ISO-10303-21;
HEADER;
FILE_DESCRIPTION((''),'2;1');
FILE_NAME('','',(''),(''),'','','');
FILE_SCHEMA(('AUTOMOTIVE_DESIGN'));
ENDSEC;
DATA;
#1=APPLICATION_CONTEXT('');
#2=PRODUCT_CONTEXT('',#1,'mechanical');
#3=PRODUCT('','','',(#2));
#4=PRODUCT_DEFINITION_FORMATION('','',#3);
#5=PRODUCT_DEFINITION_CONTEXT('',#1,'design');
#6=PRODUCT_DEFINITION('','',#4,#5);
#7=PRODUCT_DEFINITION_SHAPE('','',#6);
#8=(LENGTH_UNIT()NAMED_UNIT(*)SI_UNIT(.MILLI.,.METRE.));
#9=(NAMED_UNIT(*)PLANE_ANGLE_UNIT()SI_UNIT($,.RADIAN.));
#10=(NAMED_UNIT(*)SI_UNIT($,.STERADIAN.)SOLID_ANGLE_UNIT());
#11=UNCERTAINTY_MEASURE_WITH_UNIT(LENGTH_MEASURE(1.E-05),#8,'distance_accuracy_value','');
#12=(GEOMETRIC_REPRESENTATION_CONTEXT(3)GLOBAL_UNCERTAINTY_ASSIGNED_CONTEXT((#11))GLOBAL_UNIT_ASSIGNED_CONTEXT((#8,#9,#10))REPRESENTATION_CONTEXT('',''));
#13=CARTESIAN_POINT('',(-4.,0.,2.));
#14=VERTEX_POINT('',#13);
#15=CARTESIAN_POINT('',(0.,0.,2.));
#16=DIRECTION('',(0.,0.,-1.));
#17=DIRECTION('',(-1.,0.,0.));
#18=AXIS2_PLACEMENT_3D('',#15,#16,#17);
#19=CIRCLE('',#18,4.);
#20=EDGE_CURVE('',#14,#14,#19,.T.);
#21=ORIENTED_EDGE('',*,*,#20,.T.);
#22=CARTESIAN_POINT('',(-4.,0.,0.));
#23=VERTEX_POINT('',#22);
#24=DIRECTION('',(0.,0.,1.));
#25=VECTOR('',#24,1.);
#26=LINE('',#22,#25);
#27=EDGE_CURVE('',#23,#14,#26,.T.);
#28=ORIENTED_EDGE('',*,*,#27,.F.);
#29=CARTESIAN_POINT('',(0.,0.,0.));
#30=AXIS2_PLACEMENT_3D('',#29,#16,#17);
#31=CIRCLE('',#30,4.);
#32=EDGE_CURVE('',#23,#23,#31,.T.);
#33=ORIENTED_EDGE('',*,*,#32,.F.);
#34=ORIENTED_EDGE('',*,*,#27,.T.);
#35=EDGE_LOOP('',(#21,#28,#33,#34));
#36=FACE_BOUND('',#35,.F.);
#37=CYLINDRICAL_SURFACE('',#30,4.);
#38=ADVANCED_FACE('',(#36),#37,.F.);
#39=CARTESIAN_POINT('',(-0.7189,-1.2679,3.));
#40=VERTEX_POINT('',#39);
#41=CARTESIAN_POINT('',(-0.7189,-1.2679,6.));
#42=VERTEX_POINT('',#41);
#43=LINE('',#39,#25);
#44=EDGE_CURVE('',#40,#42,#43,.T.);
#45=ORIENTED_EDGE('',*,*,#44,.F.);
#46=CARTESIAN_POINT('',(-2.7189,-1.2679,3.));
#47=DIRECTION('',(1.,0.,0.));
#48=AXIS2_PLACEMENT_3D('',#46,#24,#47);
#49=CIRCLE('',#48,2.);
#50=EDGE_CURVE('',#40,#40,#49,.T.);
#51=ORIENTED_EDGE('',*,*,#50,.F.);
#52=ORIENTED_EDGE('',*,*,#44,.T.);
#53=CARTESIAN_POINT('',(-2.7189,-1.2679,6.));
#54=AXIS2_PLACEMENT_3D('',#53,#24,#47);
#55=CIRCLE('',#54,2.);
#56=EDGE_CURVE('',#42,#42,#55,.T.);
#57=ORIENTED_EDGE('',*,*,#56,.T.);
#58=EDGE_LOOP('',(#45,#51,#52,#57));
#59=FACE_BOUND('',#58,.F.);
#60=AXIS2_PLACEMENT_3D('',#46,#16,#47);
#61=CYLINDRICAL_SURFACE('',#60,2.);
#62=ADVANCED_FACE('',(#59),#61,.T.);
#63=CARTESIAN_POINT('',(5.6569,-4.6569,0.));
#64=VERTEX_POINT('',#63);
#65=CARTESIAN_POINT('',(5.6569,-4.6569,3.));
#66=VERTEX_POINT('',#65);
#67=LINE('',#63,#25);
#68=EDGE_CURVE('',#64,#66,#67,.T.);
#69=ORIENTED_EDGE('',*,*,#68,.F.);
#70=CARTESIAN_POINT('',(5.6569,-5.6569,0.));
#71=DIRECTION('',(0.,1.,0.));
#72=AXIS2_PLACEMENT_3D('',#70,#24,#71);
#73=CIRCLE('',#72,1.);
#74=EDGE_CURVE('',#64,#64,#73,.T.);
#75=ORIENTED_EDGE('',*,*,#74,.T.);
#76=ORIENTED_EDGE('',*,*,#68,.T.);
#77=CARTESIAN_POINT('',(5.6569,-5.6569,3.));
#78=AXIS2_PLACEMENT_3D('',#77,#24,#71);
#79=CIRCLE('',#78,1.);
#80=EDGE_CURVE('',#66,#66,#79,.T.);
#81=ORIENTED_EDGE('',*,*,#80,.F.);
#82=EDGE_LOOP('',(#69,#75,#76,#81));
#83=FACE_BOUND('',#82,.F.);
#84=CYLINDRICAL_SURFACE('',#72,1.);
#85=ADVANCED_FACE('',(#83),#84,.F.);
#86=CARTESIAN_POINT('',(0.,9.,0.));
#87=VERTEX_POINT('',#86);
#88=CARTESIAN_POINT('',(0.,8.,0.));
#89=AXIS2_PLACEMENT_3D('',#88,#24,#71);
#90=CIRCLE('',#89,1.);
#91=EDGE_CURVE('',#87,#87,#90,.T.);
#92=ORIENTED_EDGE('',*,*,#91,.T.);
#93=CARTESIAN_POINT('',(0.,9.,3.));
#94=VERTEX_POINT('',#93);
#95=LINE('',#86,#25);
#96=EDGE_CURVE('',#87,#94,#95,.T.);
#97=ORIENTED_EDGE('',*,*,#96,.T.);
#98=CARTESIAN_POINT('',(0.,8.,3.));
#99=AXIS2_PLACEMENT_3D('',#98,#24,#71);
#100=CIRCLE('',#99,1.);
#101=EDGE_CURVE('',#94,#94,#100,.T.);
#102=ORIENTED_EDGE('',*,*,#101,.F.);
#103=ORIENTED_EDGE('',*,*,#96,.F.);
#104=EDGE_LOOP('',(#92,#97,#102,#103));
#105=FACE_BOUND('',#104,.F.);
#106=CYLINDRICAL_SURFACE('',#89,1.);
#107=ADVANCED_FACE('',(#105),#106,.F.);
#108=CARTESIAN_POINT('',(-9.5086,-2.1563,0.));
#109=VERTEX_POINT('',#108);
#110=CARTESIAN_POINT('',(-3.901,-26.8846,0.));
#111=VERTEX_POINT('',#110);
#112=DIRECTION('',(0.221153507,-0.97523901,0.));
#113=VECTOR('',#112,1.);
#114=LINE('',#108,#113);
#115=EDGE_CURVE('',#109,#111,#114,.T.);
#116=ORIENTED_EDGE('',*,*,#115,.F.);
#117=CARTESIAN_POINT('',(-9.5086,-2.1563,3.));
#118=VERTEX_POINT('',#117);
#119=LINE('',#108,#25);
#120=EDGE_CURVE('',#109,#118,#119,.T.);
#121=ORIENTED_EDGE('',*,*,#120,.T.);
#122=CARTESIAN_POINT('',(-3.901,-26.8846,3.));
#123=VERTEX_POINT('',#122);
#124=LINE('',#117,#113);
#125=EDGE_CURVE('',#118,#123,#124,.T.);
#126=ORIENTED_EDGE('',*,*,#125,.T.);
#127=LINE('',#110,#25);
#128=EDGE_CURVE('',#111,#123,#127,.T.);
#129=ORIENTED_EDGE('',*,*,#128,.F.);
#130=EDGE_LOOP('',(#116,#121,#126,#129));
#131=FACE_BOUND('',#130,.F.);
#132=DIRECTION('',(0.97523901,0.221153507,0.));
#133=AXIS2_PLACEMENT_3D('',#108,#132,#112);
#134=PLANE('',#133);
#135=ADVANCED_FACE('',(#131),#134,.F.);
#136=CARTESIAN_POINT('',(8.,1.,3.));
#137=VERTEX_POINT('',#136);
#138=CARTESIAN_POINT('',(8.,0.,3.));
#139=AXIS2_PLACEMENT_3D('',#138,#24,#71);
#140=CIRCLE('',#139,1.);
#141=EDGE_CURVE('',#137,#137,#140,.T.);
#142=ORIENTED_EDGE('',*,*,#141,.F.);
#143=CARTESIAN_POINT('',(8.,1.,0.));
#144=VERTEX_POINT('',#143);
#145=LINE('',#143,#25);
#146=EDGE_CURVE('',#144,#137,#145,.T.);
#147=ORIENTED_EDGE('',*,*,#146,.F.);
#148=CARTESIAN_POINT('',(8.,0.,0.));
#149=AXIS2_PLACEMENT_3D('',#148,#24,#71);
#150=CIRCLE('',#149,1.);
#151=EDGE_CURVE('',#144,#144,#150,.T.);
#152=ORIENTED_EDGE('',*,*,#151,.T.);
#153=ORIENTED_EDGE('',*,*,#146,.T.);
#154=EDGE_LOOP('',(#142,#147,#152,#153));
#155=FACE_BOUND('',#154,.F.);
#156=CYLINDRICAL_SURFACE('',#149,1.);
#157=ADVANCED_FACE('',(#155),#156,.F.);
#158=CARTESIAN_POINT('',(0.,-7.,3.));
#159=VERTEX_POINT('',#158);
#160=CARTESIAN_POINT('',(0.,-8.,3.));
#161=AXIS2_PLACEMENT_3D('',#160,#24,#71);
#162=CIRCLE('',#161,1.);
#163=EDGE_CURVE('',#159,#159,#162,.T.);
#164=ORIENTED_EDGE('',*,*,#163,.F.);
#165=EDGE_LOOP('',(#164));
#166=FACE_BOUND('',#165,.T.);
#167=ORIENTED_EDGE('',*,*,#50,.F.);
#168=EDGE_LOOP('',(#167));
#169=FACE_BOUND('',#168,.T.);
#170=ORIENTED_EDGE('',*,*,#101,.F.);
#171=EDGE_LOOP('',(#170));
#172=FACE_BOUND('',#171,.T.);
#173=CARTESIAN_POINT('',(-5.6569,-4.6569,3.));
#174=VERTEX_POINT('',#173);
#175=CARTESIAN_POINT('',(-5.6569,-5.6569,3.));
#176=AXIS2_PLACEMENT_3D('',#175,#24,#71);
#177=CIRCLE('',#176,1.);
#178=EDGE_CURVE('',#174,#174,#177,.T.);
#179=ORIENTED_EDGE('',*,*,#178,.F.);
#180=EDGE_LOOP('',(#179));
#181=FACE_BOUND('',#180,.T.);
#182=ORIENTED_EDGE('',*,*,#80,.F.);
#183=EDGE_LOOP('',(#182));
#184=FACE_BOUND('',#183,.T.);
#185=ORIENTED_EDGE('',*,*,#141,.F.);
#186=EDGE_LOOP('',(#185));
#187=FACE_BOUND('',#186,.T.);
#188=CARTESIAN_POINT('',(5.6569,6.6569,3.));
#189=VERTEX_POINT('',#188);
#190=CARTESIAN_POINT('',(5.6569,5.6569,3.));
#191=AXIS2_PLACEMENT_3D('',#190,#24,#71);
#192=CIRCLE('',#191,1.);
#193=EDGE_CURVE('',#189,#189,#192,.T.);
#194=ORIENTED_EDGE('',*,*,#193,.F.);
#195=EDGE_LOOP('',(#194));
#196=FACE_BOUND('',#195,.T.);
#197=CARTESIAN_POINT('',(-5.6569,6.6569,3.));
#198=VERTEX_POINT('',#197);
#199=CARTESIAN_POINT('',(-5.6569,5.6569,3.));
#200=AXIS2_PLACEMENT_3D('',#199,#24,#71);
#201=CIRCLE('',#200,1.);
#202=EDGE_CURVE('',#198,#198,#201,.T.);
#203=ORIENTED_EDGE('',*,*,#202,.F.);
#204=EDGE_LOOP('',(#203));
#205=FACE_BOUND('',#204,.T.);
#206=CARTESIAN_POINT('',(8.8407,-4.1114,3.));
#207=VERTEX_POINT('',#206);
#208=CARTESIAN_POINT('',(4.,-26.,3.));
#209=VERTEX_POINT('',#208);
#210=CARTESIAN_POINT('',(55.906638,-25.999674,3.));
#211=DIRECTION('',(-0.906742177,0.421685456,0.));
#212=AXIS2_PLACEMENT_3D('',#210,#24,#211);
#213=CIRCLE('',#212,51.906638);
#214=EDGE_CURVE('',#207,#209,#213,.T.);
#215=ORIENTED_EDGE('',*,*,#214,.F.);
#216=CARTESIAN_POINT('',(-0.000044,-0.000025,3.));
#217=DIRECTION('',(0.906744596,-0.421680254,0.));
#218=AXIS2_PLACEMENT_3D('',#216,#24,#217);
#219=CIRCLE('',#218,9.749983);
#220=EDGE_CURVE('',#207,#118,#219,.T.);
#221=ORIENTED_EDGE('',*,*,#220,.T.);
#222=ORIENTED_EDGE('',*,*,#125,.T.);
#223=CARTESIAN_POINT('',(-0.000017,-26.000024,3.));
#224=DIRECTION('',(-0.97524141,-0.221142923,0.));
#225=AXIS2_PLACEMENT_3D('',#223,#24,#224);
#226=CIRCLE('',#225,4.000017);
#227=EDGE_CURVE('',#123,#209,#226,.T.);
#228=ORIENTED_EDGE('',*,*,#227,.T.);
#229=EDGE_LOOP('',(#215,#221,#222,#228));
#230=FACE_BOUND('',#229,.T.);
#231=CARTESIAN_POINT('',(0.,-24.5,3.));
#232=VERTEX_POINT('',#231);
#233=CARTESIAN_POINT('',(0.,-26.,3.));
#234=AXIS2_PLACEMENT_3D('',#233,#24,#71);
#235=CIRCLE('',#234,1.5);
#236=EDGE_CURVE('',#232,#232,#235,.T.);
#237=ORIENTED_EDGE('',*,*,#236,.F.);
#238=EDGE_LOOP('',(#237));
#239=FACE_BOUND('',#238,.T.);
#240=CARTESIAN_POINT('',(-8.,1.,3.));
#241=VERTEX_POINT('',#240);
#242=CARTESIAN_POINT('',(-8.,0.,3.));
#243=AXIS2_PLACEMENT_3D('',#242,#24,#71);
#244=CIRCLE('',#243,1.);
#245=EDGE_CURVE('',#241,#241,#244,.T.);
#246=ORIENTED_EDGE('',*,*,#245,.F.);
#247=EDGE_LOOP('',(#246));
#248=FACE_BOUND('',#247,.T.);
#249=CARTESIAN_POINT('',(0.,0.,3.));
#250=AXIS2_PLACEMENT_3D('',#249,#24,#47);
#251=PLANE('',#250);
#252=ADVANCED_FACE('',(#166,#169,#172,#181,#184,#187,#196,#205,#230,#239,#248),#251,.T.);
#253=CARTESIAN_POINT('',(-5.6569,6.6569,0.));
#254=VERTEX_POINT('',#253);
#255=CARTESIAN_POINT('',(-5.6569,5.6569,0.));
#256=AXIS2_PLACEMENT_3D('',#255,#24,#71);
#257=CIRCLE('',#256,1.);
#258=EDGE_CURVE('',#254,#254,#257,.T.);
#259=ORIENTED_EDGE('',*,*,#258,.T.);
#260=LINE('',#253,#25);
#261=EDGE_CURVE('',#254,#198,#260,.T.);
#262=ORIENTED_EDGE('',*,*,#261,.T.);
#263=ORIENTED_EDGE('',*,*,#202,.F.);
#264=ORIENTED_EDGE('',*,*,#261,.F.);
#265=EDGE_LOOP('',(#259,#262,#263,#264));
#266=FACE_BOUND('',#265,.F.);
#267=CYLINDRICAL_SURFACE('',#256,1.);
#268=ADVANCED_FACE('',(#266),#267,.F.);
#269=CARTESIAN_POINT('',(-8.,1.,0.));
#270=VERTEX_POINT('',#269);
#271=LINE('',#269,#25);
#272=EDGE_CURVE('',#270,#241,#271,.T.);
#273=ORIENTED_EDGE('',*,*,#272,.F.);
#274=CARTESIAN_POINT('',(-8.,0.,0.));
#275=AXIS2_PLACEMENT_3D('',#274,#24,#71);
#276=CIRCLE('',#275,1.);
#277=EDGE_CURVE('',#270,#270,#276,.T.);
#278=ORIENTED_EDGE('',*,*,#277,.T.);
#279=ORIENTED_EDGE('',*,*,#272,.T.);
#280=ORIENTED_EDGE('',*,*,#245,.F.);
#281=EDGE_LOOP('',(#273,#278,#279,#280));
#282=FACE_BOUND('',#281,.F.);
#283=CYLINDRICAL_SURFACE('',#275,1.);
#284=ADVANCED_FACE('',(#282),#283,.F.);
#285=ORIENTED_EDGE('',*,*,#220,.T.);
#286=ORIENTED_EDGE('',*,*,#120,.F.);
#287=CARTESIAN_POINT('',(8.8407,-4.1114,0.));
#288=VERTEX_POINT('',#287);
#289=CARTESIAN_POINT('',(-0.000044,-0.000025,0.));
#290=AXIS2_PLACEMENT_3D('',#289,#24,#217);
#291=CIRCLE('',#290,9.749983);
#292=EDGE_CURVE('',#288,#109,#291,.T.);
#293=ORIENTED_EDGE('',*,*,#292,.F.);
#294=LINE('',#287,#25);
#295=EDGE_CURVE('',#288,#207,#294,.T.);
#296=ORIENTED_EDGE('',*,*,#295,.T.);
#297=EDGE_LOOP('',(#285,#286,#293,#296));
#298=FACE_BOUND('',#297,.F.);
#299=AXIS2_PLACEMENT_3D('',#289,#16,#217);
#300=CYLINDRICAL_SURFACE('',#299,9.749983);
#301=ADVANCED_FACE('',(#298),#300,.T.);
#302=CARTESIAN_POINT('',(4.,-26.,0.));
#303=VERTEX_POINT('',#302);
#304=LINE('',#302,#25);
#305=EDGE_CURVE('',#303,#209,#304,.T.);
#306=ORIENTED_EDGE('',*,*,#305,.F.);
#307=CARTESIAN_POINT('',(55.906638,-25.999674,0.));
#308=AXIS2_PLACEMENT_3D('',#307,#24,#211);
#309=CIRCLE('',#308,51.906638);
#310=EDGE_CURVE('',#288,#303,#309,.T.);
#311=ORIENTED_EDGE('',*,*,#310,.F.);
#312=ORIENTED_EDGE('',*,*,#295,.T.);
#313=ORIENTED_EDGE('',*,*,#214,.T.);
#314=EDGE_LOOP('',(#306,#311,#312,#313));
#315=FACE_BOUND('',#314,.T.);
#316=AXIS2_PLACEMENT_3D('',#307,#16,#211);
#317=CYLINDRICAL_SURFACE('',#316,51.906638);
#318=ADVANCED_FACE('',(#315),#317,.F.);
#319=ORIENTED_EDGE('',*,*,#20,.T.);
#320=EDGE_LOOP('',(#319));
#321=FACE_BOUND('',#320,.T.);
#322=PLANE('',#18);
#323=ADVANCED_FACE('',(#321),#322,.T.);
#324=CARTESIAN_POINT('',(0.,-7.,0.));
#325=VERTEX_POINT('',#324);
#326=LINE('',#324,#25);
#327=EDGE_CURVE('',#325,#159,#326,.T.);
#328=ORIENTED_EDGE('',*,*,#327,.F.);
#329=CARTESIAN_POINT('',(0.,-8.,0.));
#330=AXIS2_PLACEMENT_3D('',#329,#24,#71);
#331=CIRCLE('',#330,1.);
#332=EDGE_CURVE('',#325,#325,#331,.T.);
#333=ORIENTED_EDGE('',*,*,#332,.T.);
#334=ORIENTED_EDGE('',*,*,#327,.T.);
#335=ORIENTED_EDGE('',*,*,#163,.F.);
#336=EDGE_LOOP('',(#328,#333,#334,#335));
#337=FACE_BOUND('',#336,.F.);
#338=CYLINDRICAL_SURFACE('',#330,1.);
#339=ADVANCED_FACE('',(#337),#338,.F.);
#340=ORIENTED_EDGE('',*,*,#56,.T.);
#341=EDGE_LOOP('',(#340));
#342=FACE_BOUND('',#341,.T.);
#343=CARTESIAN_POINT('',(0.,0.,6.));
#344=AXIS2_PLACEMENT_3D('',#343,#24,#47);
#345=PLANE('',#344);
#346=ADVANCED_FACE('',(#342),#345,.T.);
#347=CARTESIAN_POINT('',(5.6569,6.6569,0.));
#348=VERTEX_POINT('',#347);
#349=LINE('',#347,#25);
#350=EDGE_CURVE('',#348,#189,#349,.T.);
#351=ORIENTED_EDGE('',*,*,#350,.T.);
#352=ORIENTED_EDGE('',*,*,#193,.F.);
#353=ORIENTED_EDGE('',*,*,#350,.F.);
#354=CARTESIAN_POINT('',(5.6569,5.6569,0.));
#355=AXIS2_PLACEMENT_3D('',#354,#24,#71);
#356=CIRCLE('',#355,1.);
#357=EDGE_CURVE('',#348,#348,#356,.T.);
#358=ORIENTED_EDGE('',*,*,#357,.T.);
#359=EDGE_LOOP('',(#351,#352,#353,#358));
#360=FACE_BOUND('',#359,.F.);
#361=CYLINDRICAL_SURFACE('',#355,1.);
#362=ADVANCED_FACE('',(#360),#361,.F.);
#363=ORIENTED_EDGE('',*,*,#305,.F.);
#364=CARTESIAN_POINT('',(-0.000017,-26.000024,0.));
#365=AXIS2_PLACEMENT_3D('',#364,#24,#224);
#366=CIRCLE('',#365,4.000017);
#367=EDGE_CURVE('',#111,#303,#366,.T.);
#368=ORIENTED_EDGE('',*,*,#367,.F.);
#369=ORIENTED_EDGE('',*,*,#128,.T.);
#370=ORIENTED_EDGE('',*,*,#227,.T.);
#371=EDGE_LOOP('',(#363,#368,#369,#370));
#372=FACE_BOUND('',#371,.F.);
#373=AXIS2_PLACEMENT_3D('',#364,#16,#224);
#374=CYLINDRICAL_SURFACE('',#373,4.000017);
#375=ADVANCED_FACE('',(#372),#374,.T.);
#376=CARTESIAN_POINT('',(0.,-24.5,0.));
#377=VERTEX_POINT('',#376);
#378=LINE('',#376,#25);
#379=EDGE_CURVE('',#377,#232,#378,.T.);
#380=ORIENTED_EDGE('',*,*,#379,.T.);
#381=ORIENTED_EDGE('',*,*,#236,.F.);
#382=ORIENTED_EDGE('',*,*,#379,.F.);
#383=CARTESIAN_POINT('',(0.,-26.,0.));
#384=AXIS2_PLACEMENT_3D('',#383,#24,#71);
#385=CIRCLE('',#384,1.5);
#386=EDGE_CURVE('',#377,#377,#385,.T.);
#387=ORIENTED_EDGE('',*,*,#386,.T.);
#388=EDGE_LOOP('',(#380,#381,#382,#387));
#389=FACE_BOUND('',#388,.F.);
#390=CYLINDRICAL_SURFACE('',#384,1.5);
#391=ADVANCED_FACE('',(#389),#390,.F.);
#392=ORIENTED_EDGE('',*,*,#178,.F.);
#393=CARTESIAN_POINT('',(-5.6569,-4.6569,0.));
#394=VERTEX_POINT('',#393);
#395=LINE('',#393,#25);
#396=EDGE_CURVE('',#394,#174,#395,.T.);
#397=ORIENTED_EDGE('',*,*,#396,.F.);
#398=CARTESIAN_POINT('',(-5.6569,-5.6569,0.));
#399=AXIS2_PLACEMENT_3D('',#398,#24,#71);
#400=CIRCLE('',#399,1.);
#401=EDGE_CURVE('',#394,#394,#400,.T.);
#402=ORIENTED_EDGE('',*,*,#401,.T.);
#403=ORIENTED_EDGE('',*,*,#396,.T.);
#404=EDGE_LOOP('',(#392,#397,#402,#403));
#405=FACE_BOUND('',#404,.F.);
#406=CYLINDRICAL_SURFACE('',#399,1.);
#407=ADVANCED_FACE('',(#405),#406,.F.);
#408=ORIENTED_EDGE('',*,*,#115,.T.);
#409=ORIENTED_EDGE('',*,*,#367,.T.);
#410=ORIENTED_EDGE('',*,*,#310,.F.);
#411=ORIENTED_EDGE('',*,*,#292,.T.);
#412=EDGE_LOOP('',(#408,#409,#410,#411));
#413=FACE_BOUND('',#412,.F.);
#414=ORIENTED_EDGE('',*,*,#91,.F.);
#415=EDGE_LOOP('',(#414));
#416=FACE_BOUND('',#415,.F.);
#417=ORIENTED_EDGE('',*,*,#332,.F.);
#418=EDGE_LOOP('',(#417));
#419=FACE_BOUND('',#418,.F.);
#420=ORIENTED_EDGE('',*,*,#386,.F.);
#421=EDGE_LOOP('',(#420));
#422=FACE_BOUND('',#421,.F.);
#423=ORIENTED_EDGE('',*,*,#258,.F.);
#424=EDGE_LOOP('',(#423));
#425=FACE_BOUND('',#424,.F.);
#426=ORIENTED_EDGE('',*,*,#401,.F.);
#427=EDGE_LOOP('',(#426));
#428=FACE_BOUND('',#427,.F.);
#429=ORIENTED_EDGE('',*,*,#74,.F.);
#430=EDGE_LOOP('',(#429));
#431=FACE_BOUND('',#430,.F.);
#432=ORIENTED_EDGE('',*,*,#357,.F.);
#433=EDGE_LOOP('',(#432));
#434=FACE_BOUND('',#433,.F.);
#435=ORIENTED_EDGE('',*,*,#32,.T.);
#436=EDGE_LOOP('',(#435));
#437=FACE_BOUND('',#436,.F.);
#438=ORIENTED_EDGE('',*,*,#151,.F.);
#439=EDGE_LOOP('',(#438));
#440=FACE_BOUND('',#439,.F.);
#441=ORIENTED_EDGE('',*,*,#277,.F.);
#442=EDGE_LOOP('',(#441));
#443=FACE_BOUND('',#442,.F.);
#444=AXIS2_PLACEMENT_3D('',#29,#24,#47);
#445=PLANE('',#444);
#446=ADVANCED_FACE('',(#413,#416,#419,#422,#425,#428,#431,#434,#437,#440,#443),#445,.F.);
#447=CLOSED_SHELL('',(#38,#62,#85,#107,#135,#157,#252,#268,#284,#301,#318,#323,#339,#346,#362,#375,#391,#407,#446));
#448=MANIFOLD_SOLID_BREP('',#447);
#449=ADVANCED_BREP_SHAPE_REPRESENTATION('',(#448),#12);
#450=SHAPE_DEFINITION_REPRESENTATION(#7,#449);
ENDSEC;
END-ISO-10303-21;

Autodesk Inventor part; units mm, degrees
ref_plane "YZ Plane" through (0, 0, 0) normal (1, 0, 0) x (0, 1, 0)
ref_plane "XZ Plane" through (0, 0, 0) normal (0, 1, 0) x (-1, 0, 0)
ref_plane "XY Plane" through (0, 0, 0) normal (0, 0, 1) x (1, 0, 0)
sketch "スケッチ1" plane through (0, 0, 0) normal (0, 0, 1) x (1, 0, 0)
  line L0 (0, 0) -> (-2.7189, -1.2679) construction
  line L1 (0, 0) -> (0, -26) construction
  arc A0 (8.8407, -4.1114) -> (-9.5086, -2.1563) centre (0, 0) ccw
  arc A1 (-3.901, -26.8846) -> (4, -26) centre (0, -26) ccw
  arc A2 (8.8407, -4.1114) -> (4, -26) centre (55.9076, -26) ccw
  line L2 (-9.5086, -2.1563) -> (-3.901, -26.8846)
  line L3 (0, -26) -> (4, -26) construction
  circle A3 centre (0, 0) radius 8 construction
  point P0 (8, 0)
  point P1 (5.6569, 5.6569)
  point P2 (0, 8)
  point P3 (-5.6569, 5.6569)
  point P4 (-8, 0)
  point P5 (-5.6569, -5.6569)
  point P6 (0, -8)
  point P7 (5.6569, -5.6569)
  point P8 (0, -26)
  dimension "d38" = 16
  dimension "d2" = 3
  dimension "d4" = 26
  dimension "d6" = 9.75
  dimension "d7" = 4
  dimension "d11" = 360
  dimension "d37" = 65
extrude "押し出し1" add sketch "スケッチ1" along normal blind 3
hole "穴1" at (8, 0, 0) at (5.6569, 5.6569, 0) at (0, 8, 0) at (-5.6569, 5.6569, 0) at (-8, 0, 0) at (-5.6569, -5.6569, 0) at (0, -8, 0) at (5.6569, -5.6569, 0) direction (0, 0, 1) diameter 2 end through all
hole "穴2" at (0, -26, 0) direction (0, 0, 1) diameter 3 end through all
sketch "スケッチ2" plane through (0, 0, 0) normal (0, 0, -1) x (-1, 0, 0)
  circle A0 centre (0, 0) radius 4
  dimension "d30" = 8
extrude "押し出し2" cut sketch "スケッチ2" against normal blind 2
sketch "スケッチ3" plane through (0, 0, 3) normal (0, 0, 1) x (1, 0, 0)
  circle A0 centre (-2.7189, -1.2679) radius 2
  point P0 (0, 0)
  dimension "d33" = 4
extrude "押し出し3" add sketch "スケッチ3" along normal blind 3
properties part number "COXA_ROLL_SERVO-OUTPUT"
